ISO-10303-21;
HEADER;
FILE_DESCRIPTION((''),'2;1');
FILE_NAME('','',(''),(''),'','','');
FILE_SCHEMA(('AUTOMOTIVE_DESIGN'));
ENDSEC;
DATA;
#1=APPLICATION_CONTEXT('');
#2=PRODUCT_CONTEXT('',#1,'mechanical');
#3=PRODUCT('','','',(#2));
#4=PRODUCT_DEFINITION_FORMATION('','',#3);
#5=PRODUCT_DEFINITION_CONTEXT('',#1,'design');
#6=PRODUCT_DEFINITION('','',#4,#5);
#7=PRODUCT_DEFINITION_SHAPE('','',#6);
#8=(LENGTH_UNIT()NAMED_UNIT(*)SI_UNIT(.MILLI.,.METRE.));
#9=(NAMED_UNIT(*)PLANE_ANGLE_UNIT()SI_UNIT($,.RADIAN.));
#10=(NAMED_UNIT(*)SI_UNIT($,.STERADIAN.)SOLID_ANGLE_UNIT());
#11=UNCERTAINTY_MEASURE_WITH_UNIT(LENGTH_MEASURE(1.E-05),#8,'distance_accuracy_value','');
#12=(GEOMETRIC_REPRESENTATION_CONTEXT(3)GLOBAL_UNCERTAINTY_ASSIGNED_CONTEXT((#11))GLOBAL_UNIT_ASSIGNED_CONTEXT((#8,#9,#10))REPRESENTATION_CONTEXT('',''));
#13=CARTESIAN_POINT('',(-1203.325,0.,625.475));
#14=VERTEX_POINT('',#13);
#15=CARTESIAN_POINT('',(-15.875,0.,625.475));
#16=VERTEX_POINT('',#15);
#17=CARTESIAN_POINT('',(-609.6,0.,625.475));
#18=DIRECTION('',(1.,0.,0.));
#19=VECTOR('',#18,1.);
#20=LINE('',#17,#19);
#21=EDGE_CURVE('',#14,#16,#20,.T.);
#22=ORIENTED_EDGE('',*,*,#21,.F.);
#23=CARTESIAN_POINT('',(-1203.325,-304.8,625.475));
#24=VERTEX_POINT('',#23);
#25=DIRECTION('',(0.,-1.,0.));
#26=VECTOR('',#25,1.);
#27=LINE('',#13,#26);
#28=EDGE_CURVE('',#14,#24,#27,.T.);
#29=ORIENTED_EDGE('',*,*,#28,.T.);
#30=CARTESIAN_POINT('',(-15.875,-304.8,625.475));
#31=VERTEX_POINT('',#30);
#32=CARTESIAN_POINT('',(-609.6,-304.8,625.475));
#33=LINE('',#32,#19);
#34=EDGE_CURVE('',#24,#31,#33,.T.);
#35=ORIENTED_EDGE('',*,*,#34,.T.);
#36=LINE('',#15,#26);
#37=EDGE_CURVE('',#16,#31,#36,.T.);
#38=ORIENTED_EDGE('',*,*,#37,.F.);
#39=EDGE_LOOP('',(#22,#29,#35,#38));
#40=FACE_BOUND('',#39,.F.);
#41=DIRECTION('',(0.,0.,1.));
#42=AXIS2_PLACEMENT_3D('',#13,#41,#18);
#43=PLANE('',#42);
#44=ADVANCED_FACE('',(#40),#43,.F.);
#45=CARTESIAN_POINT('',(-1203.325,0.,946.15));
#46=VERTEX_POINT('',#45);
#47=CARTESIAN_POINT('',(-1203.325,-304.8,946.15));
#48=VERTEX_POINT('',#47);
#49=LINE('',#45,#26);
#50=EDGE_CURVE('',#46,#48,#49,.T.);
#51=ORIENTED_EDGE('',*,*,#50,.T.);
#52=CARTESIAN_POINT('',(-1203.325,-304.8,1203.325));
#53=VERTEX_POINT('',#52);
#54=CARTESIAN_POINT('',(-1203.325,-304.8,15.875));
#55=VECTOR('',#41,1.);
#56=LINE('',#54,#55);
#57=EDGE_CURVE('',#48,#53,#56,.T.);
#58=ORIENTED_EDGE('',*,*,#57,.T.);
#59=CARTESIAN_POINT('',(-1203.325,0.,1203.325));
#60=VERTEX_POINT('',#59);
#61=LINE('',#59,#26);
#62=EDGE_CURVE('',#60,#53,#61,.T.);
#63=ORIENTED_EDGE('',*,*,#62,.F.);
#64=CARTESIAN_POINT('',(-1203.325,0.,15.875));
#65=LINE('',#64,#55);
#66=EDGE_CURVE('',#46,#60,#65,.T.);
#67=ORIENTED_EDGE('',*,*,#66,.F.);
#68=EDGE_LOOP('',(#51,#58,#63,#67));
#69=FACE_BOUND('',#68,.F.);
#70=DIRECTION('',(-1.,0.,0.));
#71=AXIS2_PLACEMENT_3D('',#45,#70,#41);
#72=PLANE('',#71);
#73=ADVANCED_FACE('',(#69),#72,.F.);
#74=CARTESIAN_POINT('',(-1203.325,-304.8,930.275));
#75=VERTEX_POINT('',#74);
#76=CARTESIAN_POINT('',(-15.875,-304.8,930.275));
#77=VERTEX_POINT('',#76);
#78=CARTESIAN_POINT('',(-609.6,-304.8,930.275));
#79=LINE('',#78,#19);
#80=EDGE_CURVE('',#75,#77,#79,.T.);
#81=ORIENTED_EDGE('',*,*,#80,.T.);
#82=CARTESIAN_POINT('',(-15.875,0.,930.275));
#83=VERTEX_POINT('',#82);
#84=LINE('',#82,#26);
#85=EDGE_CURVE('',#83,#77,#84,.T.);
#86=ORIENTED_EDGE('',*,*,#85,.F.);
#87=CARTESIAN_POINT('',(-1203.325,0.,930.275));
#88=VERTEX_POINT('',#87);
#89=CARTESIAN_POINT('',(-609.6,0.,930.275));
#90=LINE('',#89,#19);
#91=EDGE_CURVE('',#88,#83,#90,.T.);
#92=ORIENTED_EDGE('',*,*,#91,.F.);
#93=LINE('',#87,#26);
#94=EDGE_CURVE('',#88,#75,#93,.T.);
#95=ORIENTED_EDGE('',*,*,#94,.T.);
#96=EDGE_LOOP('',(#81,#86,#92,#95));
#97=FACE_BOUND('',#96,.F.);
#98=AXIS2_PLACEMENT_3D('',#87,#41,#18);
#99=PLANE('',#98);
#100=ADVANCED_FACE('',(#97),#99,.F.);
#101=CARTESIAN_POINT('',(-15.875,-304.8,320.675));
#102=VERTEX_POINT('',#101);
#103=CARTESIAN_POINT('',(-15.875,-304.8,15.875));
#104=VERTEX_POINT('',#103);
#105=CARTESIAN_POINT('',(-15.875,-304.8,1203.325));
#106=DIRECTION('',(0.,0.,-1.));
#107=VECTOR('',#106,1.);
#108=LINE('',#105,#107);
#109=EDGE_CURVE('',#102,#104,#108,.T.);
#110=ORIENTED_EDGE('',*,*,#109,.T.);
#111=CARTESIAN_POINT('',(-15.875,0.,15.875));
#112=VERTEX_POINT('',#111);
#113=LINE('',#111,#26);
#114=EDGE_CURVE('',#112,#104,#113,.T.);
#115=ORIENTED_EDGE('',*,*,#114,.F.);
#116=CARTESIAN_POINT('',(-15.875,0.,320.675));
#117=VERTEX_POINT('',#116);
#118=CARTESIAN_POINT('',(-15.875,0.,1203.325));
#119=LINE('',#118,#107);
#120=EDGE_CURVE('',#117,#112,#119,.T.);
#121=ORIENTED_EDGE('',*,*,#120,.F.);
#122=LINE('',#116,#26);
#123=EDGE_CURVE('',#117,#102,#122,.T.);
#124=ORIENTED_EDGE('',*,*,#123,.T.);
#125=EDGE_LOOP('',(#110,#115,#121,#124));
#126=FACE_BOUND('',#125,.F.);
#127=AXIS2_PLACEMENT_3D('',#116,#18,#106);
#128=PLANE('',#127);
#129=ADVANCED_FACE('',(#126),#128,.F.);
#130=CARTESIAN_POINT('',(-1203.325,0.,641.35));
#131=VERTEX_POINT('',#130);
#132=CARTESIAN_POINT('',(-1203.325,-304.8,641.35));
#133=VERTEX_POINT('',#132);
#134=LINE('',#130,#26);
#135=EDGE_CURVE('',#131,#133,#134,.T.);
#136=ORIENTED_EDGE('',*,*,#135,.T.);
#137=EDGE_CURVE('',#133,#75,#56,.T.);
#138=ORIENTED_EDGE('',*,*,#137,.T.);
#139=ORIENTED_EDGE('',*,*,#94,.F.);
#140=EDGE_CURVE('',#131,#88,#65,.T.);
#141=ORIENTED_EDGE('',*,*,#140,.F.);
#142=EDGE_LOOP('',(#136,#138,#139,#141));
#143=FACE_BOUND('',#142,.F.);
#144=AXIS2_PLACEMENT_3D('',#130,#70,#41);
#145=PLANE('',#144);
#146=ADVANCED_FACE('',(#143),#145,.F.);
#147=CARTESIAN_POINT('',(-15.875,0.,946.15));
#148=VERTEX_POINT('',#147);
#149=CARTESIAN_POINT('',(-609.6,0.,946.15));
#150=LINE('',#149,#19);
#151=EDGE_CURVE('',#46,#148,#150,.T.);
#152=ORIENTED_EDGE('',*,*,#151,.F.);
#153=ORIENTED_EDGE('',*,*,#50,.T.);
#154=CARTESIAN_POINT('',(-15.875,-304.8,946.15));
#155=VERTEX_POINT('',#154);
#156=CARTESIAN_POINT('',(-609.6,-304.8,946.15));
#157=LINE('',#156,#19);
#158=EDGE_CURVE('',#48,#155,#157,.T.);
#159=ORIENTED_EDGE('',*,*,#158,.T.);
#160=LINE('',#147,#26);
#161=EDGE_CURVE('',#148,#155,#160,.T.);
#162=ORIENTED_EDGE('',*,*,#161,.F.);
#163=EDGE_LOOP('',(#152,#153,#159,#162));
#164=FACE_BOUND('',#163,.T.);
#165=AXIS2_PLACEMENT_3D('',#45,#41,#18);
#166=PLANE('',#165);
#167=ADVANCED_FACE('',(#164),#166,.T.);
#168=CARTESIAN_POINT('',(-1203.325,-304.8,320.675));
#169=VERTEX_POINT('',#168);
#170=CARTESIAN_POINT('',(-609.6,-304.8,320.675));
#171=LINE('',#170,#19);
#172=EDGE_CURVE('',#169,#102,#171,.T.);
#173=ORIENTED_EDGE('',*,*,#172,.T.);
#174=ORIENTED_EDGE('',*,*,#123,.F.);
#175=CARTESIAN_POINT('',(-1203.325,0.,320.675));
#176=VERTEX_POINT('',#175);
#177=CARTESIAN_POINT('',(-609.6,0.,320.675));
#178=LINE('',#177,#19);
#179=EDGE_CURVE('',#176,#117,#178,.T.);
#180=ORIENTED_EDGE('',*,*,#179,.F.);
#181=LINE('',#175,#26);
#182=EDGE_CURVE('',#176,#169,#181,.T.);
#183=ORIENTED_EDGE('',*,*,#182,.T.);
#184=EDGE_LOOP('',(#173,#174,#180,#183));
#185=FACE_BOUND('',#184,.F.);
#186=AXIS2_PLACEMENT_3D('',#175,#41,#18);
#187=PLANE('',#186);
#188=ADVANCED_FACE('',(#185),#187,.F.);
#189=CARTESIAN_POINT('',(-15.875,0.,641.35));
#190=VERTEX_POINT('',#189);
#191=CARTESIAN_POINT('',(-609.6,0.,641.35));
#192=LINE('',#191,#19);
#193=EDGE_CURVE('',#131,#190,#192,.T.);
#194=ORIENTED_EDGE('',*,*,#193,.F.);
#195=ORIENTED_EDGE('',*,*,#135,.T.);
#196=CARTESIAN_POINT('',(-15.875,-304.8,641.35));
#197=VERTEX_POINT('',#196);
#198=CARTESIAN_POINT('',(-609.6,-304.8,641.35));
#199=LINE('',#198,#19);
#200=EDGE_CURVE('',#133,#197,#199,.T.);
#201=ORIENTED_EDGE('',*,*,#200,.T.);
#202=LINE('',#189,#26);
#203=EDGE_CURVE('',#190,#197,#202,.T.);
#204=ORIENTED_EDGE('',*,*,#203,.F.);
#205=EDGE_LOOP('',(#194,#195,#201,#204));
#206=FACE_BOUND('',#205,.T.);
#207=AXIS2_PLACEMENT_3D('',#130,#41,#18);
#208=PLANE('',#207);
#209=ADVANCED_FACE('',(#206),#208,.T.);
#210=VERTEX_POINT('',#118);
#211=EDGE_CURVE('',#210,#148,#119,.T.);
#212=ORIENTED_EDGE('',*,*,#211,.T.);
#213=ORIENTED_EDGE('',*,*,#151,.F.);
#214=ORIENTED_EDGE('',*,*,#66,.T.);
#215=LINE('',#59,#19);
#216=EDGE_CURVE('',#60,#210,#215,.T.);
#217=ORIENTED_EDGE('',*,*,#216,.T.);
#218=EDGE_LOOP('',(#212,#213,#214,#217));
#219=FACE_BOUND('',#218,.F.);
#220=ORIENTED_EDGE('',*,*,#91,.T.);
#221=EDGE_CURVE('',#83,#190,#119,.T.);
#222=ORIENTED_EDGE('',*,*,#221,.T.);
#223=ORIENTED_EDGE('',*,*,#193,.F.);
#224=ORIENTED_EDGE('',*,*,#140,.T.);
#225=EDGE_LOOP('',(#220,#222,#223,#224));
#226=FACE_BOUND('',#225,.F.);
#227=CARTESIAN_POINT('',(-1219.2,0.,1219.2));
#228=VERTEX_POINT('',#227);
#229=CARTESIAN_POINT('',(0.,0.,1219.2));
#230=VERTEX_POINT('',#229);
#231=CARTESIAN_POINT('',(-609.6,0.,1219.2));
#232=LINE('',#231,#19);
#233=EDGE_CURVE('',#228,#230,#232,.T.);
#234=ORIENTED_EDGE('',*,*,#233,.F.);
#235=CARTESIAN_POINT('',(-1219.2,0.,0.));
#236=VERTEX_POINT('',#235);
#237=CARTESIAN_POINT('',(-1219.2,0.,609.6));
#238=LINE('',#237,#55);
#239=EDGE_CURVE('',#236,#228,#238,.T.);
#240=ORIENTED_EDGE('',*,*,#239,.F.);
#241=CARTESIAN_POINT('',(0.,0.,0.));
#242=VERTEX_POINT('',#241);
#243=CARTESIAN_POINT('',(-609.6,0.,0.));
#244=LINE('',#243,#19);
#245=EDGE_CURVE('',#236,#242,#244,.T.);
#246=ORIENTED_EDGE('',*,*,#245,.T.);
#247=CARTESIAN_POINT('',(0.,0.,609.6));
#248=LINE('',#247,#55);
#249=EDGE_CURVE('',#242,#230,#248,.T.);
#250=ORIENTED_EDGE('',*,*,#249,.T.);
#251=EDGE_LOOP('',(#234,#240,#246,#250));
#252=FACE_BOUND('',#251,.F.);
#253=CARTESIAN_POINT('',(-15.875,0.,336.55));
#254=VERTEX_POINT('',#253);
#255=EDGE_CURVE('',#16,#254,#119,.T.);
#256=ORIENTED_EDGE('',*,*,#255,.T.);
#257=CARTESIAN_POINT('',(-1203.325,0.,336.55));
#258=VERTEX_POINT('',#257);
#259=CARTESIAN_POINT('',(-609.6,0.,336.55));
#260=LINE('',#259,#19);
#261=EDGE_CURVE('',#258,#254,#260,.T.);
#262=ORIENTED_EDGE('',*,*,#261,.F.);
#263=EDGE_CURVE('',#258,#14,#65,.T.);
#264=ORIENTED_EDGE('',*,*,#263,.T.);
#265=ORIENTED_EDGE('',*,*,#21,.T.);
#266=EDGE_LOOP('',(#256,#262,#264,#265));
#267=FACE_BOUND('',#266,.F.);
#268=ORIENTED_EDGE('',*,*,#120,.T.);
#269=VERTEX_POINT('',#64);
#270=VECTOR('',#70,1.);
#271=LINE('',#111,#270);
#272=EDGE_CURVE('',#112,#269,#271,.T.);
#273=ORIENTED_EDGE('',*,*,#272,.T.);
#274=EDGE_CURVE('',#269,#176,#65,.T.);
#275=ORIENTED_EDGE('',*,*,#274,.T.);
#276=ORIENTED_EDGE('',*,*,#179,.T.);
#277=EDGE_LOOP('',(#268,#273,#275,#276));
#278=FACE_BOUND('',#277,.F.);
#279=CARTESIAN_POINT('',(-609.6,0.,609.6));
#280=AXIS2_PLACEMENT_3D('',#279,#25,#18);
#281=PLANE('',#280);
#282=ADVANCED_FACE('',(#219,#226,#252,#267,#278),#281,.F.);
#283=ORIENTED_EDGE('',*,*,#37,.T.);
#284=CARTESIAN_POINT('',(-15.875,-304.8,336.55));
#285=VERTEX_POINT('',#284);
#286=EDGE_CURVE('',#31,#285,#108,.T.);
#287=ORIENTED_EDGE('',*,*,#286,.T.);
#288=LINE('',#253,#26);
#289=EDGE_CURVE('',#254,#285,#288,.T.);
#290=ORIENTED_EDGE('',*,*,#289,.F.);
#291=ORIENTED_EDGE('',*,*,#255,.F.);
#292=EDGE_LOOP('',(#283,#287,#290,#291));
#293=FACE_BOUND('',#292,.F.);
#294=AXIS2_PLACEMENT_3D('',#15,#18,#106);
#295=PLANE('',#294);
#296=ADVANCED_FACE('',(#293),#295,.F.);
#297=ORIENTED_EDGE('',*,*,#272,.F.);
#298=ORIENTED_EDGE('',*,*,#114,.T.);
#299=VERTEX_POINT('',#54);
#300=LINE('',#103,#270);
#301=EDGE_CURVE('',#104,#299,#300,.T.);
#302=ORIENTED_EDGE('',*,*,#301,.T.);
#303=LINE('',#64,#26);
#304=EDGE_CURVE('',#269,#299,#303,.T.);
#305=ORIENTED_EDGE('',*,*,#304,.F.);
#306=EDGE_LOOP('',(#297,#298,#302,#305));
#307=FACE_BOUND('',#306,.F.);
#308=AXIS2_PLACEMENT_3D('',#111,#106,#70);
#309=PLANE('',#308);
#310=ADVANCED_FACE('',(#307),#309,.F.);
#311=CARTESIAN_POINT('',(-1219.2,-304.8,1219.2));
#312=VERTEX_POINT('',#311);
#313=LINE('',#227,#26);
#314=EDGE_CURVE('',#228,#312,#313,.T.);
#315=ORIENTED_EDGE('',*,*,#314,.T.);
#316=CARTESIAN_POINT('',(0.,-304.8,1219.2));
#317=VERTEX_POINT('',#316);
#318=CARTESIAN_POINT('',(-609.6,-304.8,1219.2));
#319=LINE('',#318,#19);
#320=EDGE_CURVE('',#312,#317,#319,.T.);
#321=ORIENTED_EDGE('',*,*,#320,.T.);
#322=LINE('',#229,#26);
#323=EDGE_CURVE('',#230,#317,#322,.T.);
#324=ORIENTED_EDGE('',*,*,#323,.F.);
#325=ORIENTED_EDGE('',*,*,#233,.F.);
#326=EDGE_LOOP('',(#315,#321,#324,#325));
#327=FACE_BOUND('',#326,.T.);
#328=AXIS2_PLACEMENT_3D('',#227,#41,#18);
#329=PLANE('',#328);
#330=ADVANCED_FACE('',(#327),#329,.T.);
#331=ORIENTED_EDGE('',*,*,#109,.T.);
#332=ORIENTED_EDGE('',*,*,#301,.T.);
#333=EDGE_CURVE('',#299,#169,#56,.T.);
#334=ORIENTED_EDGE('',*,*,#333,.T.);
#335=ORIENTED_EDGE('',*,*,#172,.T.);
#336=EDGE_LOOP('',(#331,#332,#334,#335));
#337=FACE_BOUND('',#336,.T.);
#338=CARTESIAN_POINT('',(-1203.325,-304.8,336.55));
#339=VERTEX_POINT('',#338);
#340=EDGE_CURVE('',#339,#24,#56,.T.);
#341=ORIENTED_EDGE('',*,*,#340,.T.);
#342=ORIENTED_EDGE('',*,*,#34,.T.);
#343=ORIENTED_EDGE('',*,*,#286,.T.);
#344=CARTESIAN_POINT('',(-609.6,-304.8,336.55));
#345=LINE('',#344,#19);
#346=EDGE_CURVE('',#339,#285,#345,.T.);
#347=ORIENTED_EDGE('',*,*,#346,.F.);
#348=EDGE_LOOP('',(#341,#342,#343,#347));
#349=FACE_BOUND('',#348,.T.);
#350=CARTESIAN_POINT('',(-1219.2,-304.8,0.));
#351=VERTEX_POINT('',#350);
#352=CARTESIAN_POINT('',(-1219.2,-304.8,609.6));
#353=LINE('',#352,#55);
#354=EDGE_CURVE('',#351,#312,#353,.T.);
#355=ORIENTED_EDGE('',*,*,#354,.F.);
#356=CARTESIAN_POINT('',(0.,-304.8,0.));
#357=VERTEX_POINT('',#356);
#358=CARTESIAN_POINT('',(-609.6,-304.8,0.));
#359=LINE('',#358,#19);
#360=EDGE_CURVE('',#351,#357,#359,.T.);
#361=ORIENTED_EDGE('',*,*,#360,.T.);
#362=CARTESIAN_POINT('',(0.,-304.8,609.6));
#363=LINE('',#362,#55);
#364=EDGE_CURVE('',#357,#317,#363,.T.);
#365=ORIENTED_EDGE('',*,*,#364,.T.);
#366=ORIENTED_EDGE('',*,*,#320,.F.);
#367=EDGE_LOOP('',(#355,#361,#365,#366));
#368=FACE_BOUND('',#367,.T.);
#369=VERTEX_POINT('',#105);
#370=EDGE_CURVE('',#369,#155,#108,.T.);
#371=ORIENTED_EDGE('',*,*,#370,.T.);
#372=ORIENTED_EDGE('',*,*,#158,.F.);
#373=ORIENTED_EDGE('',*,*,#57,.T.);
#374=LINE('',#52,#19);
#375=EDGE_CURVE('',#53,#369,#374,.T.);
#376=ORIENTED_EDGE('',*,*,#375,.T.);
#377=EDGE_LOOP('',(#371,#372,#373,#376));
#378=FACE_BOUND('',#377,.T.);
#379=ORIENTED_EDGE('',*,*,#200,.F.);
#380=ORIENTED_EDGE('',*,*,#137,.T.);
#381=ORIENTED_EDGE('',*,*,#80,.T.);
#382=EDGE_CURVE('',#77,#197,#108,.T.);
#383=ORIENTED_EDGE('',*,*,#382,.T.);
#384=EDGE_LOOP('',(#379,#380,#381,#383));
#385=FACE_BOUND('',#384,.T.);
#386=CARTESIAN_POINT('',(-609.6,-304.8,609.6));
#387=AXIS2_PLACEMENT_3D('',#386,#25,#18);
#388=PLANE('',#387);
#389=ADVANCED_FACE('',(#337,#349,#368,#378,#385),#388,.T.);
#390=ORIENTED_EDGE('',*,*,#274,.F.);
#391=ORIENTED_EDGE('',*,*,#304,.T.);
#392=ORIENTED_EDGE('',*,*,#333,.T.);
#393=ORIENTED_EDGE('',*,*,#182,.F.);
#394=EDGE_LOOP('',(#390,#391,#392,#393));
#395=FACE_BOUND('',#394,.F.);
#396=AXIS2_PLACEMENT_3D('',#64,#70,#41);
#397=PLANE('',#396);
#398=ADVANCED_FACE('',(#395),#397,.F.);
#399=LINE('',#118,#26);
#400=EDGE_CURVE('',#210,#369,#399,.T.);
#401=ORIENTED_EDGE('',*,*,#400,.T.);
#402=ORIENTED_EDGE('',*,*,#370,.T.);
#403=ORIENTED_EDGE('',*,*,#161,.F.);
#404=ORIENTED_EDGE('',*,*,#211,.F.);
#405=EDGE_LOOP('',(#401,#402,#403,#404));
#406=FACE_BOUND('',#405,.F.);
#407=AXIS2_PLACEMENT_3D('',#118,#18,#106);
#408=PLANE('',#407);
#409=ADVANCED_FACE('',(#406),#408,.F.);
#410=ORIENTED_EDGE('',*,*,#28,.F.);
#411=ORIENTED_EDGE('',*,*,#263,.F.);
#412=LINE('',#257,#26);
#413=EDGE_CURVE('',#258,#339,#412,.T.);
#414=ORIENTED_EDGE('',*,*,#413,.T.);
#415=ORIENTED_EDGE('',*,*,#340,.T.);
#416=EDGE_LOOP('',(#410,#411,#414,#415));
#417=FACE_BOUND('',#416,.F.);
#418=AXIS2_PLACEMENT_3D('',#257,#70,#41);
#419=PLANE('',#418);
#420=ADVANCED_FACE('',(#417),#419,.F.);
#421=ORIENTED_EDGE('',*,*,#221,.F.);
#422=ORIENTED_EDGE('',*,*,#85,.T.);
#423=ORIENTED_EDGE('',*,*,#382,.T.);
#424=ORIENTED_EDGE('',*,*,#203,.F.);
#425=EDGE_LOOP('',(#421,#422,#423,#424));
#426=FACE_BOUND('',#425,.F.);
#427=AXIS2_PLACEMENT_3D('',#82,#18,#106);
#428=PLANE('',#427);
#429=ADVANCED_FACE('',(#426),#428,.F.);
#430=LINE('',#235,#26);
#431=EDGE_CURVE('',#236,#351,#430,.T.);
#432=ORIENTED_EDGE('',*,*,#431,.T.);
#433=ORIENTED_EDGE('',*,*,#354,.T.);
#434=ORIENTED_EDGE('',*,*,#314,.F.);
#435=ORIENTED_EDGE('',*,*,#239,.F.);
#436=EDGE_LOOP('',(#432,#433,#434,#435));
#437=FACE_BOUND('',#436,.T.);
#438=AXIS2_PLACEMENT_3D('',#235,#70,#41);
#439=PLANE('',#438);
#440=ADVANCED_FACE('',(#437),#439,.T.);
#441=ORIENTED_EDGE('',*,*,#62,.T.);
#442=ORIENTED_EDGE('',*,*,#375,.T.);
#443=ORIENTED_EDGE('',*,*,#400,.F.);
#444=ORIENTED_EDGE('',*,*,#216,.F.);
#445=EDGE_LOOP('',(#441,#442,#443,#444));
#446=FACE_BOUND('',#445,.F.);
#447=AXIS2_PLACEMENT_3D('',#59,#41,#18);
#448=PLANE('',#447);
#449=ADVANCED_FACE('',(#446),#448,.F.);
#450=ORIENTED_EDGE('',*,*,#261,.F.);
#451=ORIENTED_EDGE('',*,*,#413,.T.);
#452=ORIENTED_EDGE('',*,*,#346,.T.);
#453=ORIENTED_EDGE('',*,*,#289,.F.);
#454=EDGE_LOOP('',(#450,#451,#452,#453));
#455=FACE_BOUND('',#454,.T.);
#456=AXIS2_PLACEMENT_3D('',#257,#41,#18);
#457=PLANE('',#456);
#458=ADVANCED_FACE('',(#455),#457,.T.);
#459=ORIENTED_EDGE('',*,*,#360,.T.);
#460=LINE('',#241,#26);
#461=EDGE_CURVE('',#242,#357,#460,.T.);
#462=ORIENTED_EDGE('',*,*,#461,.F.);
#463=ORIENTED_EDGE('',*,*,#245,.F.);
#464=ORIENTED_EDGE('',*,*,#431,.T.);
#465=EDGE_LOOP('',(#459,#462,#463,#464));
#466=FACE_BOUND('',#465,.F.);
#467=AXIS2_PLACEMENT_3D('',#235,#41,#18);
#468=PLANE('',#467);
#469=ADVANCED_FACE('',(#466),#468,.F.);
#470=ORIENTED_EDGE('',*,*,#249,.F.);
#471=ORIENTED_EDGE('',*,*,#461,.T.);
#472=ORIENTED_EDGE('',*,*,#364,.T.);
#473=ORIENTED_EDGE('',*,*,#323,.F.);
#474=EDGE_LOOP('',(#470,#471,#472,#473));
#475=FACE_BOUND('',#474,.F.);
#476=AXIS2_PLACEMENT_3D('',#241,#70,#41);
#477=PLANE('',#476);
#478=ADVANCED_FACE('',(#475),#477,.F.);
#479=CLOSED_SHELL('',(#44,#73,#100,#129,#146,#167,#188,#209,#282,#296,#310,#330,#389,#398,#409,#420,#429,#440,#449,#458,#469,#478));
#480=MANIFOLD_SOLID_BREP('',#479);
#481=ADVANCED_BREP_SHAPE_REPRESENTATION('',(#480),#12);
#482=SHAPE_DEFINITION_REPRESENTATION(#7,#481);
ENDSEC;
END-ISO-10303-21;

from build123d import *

# Parameters (mm, degrees)
F0_W     = 1219.2
F0_H     = 1219.2
F0_W_2   = 1187.45
F0_H_2   = 15.875
F1_DEPTH = 304.8


with BuildPart() as f1:
    # F0 (on Front) → F1 (new body)
    with BuildSketch(Plane.XZ):
        with Locations((-609.6, 609.6)):
            Rectangle(F0_W, F0_H)
        Polygon((-1203.325, 946.15), (-1203.325, 1203.325), (-15.875, 1203.325), (-15.875, 946.15), (-15.875, 930.275), (-15.875, 641.35), (-15.875, 625.475), (-15.875, 336.55), (-15.875, 320.675), (-15.875, 15.875), (-1203.325, 15.875), (-1203.325, 320.675), (-1203.325, 336.55), (-1203.325, 625.475), (-1203.325, 641.35), (-1203.325, 930.275), align=None, mode=Mode.SUBTRACT)
        with Locations((-609.6, 938.2125)):
            Rectangle(F0_W_2, F0_H_2)
        with Locations((-609.6, 633.4125)):
            Rectangle(F0_W_2, F0_H_2)
        with Locations((-609.6, 328.6125)):
            Rectangle(F0_W_2, F0_H_2)
    extrude(amount=F1_DEPTH)


solid = f1.part
